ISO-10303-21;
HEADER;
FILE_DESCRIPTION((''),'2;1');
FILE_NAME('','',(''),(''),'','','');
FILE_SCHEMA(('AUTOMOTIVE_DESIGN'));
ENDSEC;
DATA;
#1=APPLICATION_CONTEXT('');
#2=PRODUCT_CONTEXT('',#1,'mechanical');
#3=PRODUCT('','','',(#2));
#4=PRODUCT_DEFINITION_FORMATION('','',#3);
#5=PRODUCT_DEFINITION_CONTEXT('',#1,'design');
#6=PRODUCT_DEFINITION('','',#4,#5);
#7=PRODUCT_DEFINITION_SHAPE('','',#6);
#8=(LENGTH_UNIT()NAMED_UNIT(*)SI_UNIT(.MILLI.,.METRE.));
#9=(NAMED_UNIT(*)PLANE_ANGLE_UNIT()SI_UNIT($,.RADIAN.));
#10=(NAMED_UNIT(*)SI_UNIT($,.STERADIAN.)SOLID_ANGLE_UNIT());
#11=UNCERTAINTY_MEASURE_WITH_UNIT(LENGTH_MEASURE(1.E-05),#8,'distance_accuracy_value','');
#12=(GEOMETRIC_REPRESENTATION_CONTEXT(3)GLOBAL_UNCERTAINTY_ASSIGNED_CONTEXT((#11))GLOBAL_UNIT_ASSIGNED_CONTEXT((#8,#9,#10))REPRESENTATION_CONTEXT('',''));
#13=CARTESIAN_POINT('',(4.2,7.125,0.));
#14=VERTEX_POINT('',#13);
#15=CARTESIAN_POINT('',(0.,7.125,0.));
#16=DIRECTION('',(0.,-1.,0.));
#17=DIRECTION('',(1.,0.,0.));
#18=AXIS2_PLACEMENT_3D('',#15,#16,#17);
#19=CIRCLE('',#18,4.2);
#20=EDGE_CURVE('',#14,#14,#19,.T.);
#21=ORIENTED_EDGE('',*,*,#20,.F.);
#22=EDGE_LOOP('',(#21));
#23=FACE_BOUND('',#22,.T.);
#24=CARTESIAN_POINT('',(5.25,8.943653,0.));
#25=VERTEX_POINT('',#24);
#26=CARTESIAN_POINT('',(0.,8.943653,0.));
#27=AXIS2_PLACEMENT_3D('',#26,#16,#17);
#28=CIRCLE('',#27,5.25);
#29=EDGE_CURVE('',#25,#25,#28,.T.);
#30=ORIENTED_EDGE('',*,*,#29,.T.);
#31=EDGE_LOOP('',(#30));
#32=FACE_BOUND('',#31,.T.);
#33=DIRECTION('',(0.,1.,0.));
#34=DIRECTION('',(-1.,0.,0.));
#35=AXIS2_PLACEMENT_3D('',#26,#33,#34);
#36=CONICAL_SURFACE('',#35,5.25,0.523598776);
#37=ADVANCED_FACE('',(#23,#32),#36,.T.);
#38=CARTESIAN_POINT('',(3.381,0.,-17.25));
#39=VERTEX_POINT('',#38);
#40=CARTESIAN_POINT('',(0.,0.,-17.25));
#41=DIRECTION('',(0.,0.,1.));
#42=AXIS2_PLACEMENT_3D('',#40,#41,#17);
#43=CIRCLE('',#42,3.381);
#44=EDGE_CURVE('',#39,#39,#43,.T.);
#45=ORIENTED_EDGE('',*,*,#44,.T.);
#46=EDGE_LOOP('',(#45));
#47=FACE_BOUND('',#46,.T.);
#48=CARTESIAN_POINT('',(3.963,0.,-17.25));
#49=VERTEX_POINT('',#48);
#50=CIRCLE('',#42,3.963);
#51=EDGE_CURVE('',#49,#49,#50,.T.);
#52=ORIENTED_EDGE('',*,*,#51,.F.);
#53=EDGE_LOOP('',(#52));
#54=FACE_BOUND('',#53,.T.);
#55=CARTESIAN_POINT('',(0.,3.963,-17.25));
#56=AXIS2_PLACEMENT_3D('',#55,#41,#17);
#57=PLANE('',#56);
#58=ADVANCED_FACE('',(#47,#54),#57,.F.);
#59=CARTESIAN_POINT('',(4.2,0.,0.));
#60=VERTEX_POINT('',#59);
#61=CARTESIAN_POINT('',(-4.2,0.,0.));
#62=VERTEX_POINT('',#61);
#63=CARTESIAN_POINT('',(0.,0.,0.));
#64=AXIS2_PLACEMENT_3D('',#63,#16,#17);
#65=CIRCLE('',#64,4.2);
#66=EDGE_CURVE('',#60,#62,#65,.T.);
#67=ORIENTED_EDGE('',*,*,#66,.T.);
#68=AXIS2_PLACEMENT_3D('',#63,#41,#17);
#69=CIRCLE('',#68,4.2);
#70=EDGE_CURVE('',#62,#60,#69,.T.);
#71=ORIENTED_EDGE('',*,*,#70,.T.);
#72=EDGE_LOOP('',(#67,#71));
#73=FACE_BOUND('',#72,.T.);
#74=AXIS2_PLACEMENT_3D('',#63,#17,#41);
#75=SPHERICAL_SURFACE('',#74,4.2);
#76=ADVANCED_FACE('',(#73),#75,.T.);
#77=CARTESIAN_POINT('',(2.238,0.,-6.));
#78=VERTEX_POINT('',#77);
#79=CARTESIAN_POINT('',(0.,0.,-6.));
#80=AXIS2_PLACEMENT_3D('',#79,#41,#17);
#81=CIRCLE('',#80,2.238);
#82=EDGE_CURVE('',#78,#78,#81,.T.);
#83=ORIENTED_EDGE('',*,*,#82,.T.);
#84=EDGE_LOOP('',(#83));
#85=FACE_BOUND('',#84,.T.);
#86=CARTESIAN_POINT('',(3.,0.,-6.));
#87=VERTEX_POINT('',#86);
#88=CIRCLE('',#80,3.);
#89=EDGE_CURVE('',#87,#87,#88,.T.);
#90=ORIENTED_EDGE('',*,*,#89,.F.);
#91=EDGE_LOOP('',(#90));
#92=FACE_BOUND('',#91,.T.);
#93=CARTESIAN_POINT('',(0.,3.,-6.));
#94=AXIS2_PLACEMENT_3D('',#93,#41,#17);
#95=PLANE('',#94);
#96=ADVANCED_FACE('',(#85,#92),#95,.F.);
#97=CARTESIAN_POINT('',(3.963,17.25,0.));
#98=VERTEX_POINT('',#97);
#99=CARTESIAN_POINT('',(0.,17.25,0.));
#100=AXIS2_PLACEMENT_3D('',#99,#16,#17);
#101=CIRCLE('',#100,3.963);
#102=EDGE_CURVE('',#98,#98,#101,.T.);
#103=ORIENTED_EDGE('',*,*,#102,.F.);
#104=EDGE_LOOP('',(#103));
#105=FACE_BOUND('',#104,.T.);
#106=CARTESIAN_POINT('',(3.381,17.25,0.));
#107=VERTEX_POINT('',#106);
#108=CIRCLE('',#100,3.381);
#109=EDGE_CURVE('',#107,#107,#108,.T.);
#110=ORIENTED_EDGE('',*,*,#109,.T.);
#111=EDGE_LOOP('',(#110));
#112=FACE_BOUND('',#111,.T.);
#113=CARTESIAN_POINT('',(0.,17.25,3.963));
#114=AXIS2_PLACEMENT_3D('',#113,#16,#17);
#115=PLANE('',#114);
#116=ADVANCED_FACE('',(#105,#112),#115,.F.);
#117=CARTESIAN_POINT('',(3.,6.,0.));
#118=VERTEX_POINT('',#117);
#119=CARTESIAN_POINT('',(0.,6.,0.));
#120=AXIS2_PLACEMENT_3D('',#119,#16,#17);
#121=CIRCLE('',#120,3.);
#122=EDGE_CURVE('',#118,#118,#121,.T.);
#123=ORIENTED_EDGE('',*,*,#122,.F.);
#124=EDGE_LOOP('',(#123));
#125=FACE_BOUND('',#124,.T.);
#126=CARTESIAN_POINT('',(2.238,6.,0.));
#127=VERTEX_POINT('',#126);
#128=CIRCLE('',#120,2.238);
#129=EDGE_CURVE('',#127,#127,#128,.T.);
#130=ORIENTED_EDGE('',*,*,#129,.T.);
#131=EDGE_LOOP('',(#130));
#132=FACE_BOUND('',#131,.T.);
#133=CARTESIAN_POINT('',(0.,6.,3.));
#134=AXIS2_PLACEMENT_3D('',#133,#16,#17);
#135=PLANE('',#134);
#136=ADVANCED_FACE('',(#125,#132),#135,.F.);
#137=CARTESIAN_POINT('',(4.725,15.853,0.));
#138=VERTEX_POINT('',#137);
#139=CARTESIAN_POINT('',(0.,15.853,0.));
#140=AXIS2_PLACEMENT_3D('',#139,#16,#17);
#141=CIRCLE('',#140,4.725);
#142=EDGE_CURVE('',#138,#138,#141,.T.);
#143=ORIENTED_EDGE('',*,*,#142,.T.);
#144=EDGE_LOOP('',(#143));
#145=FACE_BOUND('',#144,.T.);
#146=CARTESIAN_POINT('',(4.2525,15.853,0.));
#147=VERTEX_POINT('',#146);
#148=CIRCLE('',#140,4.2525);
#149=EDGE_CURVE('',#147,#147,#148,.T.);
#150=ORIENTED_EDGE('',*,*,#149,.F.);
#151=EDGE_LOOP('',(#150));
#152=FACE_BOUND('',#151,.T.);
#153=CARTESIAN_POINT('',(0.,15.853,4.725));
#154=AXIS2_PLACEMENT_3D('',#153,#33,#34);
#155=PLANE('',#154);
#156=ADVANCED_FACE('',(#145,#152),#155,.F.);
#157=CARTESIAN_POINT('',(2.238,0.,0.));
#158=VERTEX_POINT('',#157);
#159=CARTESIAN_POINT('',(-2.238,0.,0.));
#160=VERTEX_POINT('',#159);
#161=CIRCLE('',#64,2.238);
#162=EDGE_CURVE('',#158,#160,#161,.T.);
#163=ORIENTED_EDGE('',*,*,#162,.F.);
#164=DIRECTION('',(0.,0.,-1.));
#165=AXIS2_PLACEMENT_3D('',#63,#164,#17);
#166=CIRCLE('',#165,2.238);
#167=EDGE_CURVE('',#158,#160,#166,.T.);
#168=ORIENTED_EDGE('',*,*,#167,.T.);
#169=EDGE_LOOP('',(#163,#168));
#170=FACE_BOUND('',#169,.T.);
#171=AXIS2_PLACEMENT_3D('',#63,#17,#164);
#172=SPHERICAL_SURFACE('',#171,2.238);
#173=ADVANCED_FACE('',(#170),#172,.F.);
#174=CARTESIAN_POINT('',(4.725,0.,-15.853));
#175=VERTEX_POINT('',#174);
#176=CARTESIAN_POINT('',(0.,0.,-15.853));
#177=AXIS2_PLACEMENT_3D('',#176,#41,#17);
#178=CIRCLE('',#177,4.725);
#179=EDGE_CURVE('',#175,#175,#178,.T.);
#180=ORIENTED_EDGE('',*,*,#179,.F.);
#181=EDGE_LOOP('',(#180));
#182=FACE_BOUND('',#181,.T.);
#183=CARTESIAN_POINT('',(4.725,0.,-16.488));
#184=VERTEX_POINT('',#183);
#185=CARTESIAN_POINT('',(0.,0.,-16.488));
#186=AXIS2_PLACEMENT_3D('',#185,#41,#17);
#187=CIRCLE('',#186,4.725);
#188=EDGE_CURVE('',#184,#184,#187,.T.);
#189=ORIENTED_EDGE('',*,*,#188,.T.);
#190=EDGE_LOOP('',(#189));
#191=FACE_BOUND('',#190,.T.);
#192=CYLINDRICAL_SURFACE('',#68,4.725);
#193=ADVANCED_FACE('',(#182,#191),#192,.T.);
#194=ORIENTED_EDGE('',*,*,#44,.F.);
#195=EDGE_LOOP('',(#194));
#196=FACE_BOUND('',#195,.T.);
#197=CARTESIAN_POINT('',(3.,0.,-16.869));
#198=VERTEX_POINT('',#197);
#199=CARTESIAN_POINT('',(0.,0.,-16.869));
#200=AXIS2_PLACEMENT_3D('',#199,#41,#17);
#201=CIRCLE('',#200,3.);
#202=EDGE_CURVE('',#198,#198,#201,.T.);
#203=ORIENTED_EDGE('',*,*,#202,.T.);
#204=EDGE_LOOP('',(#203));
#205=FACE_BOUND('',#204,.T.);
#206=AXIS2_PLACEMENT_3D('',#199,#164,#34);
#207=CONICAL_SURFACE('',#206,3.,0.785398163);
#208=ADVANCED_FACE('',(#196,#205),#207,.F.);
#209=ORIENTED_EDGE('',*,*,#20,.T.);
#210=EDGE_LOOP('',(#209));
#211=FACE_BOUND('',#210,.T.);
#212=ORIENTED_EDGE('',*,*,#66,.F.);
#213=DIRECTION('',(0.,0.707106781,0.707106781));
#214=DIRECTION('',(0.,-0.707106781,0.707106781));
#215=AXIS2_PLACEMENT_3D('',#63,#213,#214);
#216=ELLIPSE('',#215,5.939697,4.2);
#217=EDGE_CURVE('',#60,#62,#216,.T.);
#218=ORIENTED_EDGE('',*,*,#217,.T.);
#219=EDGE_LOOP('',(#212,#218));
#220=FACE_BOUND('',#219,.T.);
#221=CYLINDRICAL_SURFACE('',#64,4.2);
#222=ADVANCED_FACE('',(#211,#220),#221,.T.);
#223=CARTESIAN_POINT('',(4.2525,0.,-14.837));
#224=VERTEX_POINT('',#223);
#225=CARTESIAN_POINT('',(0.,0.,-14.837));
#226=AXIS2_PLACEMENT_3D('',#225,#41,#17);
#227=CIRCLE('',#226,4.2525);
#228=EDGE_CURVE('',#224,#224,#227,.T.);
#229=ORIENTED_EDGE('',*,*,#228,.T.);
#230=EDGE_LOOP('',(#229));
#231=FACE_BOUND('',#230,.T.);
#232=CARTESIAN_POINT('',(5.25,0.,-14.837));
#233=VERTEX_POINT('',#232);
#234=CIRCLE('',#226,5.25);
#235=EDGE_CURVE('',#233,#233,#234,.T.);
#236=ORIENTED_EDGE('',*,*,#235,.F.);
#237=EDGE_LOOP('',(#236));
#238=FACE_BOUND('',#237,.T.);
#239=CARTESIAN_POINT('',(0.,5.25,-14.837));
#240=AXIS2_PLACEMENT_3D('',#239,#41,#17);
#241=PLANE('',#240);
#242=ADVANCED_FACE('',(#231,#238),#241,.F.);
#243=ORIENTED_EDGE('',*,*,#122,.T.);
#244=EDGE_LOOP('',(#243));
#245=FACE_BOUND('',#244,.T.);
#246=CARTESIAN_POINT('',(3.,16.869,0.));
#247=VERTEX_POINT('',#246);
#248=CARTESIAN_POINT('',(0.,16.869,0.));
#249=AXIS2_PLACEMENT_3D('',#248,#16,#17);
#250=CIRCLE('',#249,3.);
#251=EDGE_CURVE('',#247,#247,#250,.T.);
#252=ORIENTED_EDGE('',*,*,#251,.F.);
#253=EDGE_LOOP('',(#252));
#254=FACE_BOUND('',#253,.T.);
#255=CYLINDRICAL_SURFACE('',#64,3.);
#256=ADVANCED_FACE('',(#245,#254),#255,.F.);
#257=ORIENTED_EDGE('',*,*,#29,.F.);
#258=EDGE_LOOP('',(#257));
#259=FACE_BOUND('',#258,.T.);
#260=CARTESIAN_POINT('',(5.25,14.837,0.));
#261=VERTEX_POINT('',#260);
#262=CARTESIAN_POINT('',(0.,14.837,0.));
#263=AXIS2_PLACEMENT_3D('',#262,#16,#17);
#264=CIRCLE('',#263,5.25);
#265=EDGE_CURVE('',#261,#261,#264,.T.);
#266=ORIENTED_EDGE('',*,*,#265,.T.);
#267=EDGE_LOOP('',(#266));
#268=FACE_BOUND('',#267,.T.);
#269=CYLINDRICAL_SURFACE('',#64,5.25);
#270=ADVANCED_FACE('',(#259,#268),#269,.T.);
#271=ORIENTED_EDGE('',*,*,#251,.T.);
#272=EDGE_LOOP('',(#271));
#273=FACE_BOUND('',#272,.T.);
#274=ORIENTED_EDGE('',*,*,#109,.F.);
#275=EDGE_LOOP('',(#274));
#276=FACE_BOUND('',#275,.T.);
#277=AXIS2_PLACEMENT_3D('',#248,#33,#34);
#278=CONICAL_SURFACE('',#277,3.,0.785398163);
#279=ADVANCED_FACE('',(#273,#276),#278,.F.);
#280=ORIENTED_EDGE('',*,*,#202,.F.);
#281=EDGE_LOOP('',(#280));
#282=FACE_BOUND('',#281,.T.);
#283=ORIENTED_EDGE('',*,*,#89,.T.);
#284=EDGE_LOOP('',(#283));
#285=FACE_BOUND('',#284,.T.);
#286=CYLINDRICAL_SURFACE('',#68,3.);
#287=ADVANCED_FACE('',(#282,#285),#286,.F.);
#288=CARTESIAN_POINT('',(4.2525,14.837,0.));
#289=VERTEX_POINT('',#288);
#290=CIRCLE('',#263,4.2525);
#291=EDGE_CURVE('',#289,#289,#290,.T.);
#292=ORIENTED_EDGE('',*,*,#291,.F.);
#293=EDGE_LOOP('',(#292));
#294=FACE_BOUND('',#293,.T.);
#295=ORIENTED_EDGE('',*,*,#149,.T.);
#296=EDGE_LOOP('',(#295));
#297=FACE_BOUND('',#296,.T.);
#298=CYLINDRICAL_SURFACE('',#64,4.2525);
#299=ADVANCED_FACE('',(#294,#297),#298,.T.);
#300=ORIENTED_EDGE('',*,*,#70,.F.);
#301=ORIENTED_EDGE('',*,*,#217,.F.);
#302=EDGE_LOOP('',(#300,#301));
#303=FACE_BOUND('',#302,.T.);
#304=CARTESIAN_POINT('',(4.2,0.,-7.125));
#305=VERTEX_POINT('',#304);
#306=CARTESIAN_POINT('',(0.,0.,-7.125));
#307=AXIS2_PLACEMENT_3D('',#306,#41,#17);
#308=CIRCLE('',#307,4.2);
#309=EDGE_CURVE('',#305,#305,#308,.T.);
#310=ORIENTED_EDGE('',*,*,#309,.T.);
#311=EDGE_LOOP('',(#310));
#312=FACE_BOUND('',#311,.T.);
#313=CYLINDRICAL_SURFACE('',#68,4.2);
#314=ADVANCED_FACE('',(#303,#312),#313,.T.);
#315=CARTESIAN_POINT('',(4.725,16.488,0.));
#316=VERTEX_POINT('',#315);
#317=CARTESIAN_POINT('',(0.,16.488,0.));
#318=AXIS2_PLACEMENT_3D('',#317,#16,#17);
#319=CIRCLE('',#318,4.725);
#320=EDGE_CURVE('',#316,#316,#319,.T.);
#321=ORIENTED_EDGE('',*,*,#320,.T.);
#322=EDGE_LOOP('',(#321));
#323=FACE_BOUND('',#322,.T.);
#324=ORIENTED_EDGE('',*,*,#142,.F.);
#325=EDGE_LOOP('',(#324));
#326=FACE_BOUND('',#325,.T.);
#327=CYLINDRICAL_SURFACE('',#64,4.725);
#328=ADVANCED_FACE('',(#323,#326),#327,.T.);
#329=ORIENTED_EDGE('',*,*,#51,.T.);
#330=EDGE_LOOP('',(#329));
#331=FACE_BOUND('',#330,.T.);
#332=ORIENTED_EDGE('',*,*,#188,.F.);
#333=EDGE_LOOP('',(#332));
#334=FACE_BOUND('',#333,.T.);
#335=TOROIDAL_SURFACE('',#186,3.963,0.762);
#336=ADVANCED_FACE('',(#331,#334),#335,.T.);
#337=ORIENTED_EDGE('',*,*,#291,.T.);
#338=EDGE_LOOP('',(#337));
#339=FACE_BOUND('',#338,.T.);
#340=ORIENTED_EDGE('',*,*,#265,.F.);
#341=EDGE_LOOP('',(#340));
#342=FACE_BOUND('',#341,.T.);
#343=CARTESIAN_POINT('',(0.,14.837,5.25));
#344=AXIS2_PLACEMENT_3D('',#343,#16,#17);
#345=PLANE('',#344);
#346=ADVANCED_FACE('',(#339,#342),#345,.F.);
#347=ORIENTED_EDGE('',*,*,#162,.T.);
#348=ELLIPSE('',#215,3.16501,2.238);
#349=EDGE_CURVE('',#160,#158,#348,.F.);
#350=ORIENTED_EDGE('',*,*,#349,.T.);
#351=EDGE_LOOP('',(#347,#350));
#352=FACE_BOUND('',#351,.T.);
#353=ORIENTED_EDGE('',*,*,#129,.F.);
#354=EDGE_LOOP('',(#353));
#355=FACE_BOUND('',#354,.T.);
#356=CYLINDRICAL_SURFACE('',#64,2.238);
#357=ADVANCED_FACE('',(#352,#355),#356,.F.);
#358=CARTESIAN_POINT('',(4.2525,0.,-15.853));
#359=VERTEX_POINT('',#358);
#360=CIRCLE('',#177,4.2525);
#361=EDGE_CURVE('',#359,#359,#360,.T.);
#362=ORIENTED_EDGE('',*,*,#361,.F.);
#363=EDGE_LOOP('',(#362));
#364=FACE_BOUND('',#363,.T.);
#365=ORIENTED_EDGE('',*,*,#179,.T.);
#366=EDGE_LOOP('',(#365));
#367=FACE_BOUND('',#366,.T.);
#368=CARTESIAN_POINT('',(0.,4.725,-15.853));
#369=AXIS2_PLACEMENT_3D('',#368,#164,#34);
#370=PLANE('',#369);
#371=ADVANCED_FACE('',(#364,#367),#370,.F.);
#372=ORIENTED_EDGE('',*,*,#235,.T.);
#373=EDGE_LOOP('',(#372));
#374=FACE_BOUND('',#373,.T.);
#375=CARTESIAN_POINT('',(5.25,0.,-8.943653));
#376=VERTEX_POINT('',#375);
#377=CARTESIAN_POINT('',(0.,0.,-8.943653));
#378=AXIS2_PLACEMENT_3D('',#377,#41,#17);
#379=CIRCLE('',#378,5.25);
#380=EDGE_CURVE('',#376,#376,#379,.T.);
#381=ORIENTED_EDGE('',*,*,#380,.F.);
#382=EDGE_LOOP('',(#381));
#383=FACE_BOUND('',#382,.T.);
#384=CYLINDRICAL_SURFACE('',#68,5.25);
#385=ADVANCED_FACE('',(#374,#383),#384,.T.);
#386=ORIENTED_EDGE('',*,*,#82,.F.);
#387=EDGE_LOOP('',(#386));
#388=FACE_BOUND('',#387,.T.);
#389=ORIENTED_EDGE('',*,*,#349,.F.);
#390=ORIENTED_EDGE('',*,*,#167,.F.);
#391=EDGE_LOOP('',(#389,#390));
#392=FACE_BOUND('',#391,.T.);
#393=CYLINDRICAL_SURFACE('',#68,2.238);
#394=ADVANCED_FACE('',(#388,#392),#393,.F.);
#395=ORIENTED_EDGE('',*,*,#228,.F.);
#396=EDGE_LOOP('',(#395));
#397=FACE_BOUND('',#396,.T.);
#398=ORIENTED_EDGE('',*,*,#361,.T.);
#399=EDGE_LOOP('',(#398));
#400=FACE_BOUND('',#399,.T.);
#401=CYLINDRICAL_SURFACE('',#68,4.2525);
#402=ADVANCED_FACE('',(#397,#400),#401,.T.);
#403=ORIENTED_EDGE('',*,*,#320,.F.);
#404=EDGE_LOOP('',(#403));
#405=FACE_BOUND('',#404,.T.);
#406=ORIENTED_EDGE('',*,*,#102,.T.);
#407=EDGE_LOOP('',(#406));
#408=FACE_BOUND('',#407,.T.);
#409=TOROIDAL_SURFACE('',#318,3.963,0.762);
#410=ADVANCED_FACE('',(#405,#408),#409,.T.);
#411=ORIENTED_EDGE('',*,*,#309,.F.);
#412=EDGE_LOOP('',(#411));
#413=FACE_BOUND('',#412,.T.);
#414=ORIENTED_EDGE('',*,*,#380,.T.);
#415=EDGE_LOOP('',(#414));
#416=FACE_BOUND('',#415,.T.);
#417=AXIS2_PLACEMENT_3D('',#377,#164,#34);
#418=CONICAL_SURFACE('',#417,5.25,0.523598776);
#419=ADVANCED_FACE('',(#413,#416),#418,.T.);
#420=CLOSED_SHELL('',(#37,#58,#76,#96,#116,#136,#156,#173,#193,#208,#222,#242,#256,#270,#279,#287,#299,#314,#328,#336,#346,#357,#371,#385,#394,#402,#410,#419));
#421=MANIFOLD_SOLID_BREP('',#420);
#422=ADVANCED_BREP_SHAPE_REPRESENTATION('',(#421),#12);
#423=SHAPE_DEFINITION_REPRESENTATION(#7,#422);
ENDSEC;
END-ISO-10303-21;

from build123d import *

# Parameters (mm, degrees)
CIRPATTERN1_COUNT = 2
CIRPATTERN1_ANGLE = 90
REVOLVE2_ANGLE    = 90
CIRPATTERN2_COUNT = 2
CIRPATTERN2_ANGLE = 90


with BuildPart() as part:
    # Sketch1 → Revolve1 (revolve)
    with BuildSketch(Plane(origin=(0, 0, 0), x_dir=(0, 0, -1), z_dir=(1, 0, 0)), mode=Mode.PRIVATE) as revolve1_sk:
        with BuildLine():
            Line((15.853, 4.725), (16.488, 4.725))
            ThreePointArc((16.488, 4.725), (17.026815367, 4.501815367), (17.25, 3.963))
            Line((17.25, 3.963), (17.25, 3.381))
            Line((17.25, 3.381), (16.869, 3))
            Line((16.869, 3), (6, 3))
            Line((6, 3), (6, 2.238))
            Line((6, 2.238), (0, 2.238))
            Line((0, 2.238), (0, 4.2))
            Line((0, 4.2), (7.125, 4.2))
            Line((7.125, 4.2), (8.943653348, 5.25))
            Line((8.943653348, 5.25), (14.837, 5.25))
            Line((14.837, 5.25), (14.837, 4.2525))
            Line((14.837, 4.2525), (15.853, 4.2525))
            Line((15.853, 4.2525), (15.853, 4.725))
        make_face()
    revolve(revolve1_sk.sketch.rotate(Axis((0, 0, 0), (0, 0, -1)), 90), axis=Axis((0, 0, 0), (0, 0, -1)))


with BuildPart() as cirpattern1_1:
    # CirPattern1: pattern copy
    add(part.part.rotate(Axis((-5.775, 0, 0), (1, 0, 0)), 1 * CIRPATTERN1_ANGLE / (CIRPATTERN1_COUNT - 1)))


with BuildPart() as part_1:
    add(part.part)

    # Sketch2 → Revolve2 (revolve)
    with BuildSketch(Plane.XY):
        with BuildLine():
            Line((-4.2, 0), (-2.238, 0))
            ThreePointArc((-2.238, 0), (0, -2.238), (2.238, 0))
            Line((2.238, 0), (4.2, 0))
            ThreePointArc((4.2, 0), (0, -4.2), (-4.2, 0))
        make_face()
    revolve(axis=Axis((-4.2, 0, 0), (-1, 0, 0)), revolution_arc=REVOLVE2_ANGLE)

    # Combine1: union CirPattern1_1
    add(cirpattern1_1.part)

    # Sketch3 → Cut-Revolve1 (revolve, cut)
    with BuildSketch(Plane(origin=(0, 0, 0), x_dir=(0, 0, -1), z_dir=(1, 0, 0)), mode=Mode.PRIVATE) as cut_revolve1_sk:
        Polygon((17.25, 3.381), (16.869, 3), (6, 3), (6, 2.238), (0, 2.238), (0, 0), (17.25, 0), align=None)
    cut_revolve1 = revolve(cut_revolve1_sk.sketch.rotate(Axis((0, 0, 0), (0, 0, -1)), 90), axis=Axis((0, 0, 0), (0, 0, -1)), mode=Mode.SUBTRACT)

    # CirPattern2: Cut-Revolve1 ×2 about axis
    cirpattern2_axis = Axis((-5.775, 0, 0), (1, 0, 0))
    for i in range(1, CIRPATTERN2_COUNT):
        add(cut_revolve1.rotate(cirpattern2_axis, i * CIRPATTERN2_ANGLE / (CIRPATTERN2_COUNT - 1)), mode=Mode.SUBTRACT)


solid = part_1.part
